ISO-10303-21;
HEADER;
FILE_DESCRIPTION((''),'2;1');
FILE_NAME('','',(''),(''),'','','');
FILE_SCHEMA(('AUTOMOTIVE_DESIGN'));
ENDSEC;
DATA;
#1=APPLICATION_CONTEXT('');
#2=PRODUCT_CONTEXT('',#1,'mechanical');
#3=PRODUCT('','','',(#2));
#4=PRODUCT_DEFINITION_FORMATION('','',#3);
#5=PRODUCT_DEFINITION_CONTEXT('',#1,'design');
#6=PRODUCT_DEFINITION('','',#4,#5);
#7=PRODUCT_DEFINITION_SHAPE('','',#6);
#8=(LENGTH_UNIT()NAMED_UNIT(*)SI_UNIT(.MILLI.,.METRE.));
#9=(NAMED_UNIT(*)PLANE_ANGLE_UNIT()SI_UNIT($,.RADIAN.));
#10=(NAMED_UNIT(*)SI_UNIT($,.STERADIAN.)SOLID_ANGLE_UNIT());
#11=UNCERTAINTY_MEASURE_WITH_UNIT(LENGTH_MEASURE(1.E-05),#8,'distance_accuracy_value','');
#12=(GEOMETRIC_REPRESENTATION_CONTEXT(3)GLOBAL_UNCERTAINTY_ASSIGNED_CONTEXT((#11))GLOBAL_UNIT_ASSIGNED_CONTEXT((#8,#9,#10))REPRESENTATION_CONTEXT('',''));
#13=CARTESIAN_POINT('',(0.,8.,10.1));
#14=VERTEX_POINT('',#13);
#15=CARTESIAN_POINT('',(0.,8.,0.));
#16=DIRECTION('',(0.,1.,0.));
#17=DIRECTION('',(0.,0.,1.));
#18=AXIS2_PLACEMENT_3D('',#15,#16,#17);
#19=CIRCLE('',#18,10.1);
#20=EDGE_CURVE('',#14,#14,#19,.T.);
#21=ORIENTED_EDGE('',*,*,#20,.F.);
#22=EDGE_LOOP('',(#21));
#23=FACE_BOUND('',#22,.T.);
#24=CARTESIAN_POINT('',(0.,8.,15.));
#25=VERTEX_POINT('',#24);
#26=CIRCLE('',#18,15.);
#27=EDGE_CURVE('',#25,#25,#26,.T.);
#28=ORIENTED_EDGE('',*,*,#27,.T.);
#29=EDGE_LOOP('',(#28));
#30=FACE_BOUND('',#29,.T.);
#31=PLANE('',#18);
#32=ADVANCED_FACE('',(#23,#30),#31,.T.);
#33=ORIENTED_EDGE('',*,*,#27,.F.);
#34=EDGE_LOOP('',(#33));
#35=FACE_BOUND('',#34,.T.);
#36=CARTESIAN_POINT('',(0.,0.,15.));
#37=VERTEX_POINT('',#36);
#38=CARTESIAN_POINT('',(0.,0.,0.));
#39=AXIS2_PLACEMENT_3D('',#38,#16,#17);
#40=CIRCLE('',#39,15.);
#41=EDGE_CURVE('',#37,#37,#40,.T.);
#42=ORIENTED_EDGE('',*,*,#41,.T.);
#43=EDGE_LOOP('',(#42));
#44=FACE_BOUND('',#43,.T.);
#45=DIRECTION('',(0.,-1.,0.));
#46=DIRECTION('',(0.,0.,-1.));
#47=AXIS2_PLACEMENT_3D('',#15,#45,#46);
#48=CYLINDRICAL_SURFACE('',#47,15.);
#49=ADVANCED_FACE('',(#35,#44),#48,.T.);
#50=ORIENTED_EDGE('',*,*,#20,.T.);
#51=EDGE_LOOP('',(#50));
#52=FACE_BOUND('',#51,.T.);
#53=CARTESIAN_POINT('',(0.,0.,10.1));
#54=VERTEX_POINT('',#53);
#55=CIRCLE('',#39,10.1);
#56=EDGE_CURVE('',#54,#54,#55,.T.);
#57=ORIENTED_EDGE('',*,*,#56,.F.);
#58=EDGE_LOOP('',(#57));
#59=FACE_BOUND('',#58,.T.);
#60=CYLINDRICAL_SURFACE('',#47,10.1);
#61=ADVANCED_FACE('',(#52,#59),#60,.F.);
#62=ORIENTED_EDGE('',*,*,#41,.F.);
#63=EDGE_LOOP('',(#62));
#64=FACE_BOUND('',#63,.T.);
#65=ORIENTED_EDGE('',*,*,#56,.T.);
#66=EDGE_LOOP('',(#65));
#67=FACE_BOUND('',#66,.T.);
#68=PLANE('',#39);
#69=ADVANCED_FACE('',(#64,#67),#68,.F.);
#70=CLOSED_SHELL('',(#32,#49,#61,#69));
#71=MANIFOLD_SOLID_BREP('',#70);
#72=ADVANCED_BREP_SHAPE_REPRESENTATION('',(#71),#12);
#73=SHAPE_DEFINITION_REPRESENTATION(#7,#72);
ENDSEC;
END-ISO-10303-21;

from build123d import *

# Parameters (mm, degrees)
SKETCH1_R                         = 15
SKETCH1_R_2                       = 10.1
REVOLVED_EQUIVALENT_EXTRUDE_DEPTH = 8


with BuildPart() as part:
    # Sketch1 → Revolved_Equivalent_Extrude (new body)
    with BuildSketch(Plane(origin=(0, 0, 0), x_dir=(1, 0, 0), z_dir=(0, 1, 0))):
        with Locations(Location((0, 0, 0), (0, 0, 270))):
            Circle(SKETCH1_R)
        with Locations(Location((0, 0, 0), (0, 0, 270))):
            Circle(SKETCH1_R_2, mode=Mode.SUBTRACT)
    extrude(amount=REVOLVED_EQUIVALENT_EXTRUDE_DEPTH)


solid = part.part
